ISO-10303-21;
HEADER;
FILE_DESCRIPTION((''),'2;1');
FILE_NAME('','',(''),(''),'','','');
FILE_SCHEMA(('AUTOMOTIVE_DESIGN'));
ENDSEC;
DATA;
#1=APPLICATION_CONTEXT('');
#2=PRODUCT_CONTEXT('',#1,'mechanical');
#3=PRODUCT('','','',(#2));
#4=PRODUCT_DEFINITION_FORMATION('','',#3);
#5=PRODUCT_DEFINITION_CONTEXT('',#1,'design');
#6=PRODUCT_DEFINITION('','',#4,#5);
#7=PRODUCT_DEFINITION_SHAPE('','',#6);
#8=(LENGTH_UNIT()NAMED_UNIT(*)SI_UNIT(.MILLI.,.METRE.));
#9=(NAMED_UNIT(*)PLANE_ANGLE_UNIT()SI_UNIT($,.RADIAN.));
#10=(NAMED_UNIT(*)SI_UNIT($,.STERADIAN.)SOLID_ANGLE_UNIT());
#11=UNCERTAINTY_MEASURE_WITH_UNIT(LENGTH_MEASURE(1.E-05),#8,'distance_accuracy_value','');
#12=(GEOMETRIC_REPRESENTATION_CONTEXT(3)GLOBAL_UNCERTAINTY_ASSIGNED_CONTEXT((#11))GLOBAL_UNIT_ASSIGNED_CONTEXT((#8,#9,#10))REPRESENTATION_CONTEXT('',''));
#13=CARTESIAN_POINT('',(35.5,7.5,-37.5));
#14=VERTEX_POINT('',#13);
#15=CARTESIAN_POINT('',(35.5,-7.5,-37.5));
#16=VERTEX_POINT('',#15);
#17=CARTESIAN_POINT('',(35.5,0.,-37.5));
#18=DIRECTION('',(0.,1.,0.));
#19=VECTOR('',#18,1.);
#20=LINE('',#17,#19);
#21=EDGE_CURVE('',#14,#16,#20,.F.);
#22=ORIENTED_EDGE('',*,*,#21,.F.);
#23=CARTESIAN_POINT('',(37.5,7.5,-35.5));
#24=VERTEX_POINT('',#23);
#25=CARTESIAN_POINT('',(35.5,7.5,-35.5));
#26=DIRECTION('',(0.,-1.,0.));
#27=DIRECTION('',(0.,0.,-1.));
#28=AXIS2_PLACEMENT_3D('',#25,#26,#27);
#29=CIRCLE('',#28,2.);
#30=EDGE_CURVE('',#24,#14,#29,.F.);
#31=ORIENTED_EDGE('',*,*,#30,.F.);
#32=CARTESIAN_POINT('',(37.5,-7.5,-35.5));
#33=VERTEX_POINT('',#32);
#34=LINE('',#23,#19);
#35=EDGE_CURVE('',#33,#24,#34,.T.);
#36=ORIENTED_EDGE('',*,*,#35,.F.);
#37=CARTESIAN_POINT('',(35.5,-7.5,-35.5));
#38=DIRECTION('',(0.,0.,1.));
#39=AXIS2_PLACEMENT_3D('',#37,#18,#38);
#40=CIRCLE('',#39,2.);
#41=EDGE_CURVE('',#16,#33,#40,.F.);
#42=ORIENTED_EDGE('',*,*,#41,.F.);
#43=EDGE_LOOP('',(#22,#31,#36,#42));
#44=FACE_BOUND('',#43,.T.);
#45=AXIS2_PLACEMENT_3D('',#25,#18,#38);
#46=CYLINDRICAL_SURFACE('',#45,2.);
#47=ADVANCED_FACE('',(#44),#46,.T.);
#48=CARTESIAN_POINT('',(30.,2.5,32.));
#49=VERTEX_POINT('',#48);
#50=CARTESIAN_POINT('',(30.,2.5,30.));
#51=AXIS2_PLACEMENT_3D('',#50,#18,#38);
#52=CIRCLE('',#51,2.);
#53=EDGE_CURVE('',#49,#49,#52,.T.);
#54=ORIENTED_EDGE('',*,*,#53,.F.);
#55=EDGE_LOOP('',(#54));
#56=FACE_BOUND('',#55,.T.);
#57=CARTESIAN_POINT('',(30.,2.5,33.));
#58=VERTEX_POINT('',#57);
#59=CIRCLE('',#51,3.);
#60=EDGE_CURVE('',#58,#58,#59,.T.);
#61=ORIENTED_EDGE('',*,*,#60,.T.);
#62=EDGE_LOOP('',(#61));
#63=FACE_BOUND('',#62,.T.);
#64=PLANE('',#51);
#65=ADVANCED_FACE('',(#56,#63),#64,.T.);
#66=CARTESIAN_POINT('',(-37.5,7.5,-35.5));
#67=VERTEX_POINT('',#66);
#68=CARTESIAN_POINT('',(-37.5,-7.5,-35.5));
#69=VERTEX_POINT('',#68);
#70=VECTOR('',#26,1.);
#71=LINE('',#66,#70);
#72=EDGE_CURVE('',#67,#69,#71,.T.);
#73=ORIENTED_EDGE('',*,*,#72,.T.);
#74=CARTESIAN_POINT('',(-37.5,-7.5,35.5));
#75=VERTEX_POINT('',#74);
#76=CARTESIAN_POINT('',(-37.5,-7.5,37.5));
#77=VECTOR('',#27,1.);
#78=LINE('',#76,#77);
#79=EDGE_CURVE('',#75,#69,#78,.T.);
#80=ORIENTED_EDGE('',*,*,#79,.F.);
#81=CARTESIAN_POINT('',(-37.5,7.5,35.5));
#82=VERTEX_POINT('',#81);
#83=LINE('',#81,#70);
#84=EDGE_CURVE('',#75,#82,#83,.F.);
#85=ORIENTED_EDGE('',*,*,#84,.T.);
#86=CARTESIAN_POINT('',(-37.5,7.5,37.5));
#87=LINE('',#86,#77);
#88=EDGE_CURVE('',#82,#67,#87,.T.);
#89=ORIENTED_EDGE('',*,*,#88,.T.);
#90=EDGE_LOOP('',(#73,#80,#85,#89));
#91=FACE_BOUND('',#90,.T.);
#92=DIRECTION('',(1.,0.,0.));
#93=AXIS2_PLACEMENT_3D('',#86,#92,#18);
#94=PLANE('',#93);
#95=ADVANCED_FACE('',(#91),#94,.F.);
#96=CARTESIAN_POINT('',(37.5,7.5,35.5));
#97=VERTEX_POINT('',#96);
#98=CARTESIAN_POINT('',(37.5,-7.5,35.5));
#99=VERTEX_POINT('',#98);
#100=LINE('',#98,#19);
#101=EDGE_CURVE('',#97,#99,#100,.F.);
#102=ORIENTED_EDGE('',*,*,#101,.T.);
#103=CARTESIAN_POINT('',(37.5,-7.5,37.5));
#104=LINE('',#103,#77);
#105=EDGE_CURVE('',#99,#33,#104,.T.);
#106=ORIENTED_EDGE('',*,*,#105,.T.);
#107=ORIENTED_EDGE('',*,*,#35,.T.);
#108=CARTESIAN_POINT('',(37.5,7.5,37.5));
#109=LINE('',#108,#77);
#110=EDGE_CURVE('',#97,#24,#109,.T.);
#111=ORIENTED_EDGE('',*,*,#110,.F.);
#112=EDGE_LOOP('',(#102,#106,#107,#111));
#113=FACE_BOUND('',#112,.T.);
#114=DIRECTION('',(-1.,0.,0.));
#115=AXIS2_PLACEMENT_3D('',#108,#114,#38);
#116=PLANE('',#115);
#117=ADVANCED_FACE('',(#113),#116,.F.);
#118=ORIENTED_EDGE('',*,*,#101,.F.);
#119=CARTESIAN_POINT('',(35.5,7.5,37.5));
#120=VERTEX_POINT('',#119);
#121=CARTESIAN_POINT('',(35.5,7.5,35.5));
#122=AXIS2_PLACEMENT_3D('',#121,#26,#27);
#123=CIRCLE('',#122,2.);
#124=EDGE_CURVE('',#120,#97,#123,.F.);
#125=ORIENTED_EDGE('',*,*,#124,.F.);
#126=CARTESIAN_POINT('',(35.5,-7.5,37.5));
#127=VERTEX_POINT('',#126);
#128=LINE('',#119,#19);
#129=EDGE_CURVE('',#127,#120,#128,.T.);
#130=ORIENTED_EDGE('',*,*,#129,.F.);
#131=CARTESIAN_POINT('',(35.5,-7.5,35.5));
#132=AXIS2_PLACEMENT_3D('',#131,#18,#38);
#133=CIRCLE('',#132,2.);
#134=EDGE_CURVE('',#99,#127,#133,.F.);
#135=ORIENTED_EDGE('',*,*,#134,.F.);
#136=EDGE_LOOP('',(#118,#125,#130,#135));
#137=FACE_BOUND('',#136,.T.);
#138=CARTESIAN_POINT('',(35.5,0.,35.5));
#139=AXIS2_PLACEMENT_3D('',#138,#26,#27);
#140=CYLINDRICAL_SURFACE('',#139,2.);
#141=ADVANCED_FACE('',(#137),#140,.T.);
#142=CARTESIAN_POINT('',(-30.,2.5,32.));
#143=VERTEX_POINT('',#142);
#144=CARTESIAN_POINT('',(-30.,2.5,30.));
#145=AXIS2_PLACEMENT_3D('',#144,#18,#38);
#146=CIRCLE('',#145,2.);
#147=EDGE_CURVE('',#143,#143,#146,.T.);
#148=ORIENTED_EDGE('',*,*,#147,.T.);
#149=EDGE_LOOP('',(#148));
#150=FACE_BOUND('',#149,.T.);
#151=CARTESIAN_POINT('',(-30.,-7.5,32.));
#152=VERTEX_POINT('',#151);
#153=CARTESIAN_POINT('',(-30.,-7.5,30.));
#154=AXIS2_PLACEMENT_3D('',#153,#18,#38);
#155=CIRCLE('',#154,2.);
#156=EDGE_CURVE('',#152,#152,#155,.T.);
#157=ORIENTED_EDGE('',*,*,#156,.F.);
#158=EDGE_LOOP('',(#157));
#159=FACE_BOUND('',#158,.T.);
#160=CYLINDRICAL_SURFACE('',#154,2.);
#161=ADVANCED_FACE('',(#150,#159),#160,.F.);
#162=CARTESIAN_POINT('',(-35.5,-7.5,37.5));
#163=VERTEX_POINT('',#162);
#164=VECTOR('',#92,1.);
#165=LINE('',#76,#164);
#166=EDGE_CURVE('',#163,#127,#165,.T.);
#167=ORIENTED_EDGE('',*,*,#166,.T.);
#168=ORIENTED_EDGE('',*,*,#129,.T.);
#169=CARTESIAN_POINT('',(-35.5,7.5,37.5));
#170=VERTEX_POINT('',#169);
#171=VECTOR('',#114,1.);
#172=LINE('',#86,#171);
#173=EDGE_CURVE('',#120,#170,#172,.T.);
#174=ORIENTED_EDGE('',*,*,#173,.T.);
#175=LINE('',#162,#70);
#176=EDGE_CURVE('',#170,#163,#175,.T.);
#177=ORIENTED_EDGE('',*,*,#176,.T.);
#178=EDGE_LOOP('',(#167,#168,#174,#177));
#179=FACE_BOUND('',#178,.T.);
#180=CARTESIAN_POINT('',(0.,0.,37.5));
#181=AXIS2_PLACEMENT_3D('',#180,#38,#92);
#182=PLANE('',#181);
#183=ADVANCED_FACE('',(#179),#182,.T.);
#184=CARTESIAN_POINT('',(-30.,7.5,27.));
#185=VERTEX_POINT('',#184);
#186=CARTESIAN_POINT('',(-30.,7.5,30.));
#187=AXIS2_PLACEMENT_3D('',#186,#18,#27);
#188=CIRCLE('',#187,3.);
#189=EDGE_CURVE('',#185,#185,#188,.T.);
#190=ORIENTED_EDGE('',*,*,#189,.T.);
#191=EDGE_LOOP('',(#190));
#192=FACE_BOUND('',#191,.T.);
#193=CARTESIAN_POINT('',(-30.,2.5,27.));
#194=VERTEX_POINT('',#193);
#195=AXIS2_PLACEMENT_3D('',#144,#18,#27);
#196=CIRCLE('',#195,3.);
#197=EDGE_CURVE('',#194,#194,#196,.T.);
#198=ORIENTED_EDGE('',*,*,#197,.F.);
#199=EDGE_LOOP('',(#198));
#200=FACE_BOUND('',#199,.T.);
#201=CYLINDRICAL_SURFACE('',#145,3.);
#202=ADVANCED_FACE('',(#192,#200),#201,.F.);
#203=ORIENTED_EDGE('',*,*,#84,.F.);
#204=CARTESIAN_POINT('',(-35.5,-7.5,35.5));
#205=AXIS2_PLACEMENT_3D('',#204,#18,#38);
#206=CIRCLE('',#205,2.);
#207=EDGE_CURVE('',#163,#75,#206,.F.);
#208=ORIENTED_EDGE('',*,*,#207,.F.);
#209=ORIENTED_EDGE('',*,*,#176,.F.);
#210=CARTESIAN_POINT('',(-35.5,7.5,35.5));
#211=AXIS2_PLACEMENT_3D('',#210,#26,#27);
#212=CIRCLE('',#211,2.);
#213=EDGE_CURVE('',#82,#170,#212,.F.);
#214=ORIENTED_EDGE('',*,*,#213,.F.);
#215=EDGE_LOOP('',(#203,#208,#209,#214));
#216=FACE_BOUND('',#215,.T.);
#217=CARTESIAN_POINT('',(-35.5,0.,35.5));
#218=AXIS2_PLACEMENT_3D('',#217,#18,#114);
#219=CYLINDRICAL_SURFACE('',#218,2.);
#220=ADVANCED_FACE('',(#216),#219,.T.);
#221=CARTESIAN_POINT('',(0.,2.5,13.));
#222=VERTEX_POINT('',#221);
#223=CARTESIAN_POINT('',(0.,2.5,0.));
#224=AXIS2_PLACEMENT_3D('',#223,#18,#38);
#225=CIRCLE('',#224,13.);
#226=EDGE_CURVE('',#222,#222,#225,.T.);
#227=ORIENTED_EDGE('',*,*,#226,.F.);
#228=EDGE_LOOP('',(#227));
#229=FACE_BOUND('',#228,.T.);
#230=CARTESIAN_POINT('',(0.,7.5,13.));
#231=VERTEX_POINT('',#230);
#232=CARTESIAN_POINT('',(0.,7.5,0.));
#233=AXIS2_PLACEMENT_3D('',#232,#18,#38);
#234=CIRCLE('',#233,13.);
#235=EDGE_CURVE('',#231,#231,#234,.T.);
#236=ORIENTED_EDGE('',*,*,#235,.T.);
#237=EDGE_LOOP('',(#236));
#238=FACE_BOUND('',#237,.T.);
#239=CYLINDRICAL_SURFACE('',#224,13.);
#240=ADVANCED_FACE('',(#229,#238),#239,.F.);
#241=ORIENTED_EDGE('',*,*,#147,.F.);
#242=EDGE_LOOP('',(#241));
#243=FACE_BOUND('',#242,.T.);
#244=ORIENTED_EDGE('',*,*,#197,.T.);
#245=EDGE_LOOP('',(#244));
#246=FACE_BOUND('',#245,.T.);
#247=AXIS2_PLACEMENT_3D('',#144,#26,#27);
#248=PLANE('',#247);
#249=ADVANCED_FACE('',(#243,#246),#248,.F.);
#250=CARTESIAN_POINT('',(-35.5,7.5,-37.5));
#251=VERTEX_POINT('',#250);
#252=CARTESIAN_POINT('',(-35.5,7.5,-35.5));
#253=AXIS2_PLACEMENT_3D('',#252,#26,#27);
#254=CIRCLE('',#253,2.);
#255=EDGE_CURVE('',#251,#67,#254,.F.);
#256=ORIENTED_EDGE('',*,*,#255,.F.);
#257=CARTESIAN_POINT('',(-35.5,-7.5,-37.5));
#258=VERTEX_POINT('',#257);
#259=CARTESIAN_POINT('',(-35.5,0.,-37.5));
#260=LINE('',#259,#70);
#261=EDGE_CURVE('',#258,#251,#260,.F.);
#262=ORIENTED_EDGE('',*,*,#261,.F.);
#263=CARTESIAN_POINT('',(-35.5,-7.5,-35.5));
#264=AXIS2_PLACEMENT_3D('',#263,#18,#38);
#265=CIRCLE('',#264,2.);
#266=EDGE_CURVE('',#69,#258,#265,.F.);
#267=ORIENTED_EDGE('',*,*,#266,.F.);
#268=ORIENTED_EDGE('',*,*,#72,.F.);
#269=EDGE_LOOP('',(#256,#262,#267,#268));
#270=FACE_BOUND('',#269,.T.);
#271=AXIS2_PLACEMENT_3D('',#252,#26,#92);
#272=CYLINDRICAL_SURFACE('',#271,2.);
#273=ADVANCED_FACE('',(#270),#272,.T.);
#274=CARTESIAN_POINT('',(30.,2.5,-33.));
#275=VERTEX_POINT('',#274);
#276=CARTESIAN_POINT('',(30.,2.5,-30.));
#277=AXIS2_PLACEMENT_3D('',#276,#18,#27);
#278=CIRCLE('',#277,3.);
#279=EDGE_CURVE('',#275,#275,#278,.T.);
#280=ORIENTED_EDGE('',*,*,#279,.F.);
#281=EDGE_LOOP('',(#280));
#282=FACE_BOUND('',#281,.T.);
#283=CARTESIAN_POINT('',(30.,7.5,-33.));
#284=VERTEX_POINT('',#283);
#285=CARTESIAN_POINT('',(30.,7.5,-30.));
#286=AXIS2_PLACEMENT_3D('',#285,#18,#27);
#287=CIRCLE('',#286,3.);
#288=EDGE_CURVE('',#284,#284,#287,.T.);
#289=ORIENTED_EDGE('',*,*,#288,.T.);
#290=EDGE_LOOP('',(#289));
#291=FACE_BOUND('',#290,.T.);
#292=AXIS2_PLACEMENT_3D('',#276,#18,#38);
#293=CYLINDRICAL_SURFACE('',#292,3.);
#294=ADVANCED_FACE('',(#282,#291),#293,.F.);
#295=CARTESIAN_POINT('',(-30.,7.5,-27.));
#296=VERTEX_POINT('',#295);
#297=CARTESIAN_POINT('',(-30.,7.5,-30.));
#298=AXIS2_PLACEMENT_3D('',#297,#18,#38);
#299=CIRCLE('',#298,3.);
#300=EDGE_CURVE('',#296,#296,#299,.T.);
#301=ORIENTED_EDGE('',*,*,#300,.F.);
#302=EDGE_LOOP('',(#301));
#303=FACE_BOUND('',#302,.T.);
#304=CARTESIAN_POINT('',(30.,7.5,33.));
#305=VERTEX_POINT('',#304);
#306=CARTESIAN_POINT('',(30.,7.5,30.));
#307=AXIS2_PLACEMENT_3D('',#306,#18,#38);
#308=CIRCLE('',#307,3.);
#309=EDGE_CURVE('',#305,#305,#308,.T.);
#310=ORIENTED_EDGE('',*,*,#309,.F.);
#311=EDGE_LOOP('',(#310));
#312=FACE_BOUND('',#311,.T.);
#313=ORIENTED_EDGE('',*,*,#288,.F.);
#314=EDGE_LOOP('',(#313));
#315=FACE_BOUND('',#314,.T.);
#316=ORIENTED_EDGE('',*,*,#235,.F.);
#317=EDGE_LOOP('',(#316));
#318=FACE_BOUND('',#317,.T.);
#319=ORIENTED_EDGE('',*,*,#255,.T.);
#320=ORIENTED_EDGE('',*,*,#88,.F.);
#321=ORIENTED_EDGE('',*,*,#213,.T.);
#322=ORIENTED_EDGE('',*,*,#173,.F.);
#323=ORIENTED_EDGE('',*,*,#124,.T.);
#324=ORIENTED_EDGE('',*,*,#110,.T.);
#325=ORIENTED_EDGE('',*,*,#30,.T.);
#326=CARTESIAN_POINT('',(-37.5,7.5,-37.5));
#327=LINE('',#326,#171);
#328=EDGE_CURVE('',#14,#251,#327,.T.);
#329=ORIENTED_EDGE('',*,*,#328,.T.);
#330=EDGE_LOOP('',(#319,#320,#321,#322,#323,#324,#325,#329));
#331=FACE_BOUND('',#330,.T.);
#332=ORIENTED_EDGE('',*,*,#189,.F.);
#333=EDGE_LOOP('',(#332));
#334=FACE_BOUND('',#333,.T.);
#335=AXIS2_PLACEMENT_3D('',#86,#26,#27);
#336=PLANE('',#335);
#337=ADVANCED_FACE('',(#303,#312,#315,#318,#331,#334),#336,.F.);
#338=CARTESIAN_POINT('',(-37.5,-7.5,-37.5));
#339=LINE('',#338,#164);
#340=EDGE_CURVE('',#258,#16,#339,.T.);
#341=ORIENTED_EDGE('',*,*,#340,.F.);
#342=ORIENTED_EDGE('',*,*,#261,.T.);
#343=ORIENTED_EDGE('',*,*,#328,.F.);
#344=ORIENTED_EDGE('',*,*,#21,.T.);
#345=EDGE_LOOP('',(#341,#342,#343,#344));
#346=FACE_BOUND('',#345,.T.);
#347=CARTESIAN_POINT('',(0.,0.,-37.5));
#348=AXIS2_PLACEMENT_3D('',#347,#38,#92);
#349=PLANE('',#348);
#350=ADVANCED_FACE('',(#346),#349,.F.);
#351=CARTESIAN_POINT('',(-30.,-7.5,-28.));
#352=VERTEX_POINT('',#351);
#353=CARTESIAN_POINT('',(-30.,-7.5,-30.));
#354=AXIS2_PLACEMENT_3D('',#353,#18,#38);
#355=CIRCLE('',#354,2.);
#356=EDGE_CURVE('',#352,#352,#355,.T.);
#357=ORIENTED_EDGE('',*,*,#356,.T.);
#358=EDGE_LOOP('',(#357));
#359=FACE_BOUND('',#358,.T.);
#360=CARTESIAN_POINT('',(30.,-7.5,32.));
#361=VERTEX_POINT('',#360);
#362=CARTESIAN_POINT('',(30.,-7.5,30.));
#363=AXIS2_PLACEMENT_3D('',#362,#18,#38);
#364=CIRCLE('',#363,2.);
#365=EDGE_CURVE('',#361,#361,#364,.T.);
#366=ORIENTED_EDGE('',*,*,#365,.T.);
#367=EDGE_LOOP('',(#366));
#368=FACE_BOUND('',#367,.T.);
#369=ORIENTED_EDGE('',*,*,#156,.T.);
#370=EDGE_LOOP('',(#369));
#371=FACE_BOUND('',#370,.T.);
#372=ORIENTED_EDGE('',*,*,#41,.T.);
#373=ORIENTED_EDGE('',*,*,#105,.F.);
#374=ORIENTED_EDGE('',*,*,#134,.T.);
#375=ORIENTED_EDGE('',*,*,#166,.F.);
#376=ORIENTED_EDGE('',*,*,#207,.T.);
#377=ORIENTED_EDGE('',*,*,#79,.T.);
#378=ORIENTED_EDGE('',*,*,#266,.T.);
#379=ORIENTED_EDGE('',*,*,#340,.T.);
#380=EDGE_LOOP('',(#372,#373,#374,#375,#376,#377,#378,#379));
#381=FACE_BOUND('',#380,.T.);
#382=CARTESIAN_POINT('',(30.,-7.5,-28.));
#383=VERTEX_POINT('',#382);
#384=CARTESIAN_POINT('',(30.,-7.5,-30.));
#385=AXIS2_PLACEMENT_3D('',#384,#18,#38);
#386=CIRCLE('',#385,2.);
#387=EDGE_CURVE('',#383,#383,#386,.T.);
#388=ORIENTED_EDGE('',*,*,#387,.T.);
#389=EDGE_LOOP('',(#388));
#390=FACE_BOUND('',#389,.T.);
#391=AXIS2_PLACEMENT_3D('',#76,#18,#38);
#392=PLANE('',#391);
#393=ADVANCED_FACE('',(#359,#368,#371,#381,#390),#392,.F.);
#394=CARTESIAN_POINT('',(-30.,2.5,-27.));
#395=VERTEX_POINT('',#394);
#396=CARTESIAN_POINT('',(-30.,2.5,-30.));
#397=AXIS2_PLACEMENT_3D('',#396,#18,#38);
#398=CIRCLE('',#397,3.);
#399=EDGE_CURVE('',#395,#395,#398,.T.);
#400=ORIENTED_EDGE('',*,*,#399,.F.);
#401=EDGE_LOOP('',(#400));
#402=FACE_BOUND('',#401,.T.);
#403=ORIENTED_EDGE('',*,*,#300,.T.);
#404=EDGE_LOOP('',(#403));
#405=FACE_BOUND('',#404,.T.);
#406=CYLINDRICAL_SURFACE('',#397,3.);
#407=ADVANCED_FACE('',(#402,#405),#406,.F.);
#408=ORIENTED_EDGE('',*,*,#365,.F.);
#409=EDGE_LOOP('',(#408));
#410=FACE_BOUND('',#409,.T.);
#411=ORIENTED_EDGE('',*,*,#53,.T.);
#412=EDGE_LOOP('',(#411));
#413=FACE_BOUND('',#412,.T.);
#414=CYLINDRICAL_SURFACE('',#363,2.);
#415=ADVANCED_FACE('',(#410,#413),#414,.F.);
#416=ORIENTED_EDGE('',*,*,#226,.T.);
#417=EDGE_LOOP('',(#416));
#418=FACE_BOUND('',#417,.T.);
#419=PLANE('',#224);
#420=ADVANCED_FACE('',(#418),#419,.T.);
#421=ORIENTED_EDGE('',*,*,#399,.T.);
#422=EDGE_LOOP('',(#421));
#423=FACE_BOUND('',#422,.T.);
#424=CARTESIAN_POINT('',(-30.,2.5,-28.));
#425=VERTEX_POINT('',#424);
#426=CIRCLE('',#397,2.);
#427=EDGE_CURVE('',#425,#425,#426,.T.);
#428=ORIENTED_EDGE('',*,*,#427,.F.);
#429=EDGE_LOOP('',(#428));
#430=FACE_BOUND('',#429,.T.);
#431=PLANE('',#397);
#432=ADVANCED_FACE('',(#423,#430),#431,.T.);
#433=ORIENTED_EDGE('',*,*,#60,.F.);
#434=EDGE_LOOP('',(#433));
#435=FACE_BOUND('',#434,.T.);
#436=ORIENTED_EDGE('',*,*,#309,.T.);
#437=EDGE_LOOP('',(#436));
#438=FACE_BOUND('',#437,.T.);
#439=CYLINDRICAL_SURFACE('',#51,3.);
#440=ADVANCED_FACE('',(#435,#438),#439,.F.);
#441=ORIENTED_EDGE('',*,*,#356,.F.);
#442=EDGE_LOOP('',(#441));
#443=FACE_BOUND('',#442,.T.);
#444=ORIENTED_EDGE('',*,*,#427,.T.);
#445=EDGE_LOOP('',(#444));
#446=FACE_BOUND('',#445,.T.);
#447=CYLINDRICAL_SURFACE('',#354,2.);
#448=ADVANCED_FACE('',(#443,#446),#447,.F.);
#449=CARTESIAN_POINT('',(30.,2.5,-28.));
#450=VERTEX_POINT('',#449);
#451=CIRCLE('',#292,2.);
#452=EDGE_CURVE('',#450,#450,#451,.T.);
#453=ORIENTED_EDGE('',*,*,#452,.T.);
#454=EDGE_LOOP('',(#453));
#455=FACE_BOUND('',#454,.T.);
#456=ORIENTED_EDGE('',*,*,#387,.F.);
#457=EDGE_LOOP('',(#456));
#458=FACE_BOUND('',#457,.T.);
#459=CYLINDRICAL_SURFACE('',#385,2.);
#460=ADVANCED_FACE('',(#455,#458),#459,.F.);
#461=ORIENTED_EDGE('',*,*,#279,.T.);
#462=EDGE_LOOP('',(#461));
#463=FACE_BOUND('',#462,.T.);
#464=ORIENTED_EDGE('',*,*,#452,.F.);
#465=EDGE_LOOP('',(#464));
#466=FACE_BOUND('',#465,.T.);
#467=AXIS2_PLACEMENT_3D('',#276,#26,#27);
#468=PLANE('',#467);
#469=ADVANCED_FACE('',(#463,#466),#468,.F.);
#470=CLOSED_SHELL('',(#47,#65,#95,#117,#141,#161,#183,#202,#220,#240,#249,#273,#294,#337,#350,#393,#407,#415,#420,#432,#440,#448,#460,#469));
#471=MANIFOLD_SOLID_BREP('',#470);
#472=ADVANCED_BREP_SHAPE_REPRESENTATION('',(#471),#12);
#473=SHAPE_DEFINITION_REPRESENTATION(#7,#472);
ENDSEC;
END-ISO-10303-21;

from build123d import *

# Parameters (mm, degrees)
SKETCH1_W           = 75
SKETCH1_H           = 15
BOSS_EXTRUDE1_DEPTH = 37.5
SKETCH2_R           = 13
SKETCH2_R_2         = 3
CUT_EXTRUDE1_DEPTH  = 5
SKETCH3_R           = 2
CUT_EXTRUDE2_DEPTH  = 11
FILLET1_R           = 2


with BuildPart() as part:
    # Sketch1 → Boss-Extrude1 (new body, symmetric)
    with BuildSketch(Plane.XY):
        Rectangle(SKETCH1_W, SKETCH1_H)
    extrude(amount=BOSS_EXTRUDE1_DEPTH, both=True)

    # Sketch2 → Cut-Extrude1 (cut)
    with BuildSketch(Plane(origin=(0, 7.5, 0), x_dir=(1, 0, 0), z_dir=(0, 1, 0))):
        Circle(SKETCH2_R)
        with Locations((-30, 30)):
            Circle(SKETCH2_R_2)
        with Locations((-30, -30)):
            Circle(SKETCH2_R_2)
        with Locations((30, -30)):
            Circle(SKETCH2_R_2)
        with Locations((30, 30)):
            Circle(SKETCH2_R_2)
    extrude(amount=-CUT_EXTRUDE1_DEPTH, mode=Mode.SUBTRACT)

    # Sketch3 → Cut-Extrude2 (cut, through all)
    with BuildSketch(Plane(origin=(0, 2.5, 0), x_dir=(1, 0, 0), z_dir=(0, 1, 0))):
        with Locations((-30, 30)):
            Circle(SKETCH3_R)
        with Locations((30, 30)):
            Circle(SKETCH3_R)
        with Locations((30, -30)):
            Circle(SKETCH3_R)
        with Locations((-30, -30)):
            Circle(SKETCH3_R)
    extrude(amount=-CUT_EXTRUDE2_DEPTH, mode=Mode.SUBTRACT)

    # Fillet1
    fillet1_edges = [part.edges().sort_by_distance(p)[0] for p in [
        (-37.5, 0, 37.5),
        (37.5, 0, 37.5),
        (-37.5, 0, -37.5),
        (37.5, 0, -37.5),
    ]]
    fillet(fillet1_edges, radius=FILLET1_R)


solid = part.part
